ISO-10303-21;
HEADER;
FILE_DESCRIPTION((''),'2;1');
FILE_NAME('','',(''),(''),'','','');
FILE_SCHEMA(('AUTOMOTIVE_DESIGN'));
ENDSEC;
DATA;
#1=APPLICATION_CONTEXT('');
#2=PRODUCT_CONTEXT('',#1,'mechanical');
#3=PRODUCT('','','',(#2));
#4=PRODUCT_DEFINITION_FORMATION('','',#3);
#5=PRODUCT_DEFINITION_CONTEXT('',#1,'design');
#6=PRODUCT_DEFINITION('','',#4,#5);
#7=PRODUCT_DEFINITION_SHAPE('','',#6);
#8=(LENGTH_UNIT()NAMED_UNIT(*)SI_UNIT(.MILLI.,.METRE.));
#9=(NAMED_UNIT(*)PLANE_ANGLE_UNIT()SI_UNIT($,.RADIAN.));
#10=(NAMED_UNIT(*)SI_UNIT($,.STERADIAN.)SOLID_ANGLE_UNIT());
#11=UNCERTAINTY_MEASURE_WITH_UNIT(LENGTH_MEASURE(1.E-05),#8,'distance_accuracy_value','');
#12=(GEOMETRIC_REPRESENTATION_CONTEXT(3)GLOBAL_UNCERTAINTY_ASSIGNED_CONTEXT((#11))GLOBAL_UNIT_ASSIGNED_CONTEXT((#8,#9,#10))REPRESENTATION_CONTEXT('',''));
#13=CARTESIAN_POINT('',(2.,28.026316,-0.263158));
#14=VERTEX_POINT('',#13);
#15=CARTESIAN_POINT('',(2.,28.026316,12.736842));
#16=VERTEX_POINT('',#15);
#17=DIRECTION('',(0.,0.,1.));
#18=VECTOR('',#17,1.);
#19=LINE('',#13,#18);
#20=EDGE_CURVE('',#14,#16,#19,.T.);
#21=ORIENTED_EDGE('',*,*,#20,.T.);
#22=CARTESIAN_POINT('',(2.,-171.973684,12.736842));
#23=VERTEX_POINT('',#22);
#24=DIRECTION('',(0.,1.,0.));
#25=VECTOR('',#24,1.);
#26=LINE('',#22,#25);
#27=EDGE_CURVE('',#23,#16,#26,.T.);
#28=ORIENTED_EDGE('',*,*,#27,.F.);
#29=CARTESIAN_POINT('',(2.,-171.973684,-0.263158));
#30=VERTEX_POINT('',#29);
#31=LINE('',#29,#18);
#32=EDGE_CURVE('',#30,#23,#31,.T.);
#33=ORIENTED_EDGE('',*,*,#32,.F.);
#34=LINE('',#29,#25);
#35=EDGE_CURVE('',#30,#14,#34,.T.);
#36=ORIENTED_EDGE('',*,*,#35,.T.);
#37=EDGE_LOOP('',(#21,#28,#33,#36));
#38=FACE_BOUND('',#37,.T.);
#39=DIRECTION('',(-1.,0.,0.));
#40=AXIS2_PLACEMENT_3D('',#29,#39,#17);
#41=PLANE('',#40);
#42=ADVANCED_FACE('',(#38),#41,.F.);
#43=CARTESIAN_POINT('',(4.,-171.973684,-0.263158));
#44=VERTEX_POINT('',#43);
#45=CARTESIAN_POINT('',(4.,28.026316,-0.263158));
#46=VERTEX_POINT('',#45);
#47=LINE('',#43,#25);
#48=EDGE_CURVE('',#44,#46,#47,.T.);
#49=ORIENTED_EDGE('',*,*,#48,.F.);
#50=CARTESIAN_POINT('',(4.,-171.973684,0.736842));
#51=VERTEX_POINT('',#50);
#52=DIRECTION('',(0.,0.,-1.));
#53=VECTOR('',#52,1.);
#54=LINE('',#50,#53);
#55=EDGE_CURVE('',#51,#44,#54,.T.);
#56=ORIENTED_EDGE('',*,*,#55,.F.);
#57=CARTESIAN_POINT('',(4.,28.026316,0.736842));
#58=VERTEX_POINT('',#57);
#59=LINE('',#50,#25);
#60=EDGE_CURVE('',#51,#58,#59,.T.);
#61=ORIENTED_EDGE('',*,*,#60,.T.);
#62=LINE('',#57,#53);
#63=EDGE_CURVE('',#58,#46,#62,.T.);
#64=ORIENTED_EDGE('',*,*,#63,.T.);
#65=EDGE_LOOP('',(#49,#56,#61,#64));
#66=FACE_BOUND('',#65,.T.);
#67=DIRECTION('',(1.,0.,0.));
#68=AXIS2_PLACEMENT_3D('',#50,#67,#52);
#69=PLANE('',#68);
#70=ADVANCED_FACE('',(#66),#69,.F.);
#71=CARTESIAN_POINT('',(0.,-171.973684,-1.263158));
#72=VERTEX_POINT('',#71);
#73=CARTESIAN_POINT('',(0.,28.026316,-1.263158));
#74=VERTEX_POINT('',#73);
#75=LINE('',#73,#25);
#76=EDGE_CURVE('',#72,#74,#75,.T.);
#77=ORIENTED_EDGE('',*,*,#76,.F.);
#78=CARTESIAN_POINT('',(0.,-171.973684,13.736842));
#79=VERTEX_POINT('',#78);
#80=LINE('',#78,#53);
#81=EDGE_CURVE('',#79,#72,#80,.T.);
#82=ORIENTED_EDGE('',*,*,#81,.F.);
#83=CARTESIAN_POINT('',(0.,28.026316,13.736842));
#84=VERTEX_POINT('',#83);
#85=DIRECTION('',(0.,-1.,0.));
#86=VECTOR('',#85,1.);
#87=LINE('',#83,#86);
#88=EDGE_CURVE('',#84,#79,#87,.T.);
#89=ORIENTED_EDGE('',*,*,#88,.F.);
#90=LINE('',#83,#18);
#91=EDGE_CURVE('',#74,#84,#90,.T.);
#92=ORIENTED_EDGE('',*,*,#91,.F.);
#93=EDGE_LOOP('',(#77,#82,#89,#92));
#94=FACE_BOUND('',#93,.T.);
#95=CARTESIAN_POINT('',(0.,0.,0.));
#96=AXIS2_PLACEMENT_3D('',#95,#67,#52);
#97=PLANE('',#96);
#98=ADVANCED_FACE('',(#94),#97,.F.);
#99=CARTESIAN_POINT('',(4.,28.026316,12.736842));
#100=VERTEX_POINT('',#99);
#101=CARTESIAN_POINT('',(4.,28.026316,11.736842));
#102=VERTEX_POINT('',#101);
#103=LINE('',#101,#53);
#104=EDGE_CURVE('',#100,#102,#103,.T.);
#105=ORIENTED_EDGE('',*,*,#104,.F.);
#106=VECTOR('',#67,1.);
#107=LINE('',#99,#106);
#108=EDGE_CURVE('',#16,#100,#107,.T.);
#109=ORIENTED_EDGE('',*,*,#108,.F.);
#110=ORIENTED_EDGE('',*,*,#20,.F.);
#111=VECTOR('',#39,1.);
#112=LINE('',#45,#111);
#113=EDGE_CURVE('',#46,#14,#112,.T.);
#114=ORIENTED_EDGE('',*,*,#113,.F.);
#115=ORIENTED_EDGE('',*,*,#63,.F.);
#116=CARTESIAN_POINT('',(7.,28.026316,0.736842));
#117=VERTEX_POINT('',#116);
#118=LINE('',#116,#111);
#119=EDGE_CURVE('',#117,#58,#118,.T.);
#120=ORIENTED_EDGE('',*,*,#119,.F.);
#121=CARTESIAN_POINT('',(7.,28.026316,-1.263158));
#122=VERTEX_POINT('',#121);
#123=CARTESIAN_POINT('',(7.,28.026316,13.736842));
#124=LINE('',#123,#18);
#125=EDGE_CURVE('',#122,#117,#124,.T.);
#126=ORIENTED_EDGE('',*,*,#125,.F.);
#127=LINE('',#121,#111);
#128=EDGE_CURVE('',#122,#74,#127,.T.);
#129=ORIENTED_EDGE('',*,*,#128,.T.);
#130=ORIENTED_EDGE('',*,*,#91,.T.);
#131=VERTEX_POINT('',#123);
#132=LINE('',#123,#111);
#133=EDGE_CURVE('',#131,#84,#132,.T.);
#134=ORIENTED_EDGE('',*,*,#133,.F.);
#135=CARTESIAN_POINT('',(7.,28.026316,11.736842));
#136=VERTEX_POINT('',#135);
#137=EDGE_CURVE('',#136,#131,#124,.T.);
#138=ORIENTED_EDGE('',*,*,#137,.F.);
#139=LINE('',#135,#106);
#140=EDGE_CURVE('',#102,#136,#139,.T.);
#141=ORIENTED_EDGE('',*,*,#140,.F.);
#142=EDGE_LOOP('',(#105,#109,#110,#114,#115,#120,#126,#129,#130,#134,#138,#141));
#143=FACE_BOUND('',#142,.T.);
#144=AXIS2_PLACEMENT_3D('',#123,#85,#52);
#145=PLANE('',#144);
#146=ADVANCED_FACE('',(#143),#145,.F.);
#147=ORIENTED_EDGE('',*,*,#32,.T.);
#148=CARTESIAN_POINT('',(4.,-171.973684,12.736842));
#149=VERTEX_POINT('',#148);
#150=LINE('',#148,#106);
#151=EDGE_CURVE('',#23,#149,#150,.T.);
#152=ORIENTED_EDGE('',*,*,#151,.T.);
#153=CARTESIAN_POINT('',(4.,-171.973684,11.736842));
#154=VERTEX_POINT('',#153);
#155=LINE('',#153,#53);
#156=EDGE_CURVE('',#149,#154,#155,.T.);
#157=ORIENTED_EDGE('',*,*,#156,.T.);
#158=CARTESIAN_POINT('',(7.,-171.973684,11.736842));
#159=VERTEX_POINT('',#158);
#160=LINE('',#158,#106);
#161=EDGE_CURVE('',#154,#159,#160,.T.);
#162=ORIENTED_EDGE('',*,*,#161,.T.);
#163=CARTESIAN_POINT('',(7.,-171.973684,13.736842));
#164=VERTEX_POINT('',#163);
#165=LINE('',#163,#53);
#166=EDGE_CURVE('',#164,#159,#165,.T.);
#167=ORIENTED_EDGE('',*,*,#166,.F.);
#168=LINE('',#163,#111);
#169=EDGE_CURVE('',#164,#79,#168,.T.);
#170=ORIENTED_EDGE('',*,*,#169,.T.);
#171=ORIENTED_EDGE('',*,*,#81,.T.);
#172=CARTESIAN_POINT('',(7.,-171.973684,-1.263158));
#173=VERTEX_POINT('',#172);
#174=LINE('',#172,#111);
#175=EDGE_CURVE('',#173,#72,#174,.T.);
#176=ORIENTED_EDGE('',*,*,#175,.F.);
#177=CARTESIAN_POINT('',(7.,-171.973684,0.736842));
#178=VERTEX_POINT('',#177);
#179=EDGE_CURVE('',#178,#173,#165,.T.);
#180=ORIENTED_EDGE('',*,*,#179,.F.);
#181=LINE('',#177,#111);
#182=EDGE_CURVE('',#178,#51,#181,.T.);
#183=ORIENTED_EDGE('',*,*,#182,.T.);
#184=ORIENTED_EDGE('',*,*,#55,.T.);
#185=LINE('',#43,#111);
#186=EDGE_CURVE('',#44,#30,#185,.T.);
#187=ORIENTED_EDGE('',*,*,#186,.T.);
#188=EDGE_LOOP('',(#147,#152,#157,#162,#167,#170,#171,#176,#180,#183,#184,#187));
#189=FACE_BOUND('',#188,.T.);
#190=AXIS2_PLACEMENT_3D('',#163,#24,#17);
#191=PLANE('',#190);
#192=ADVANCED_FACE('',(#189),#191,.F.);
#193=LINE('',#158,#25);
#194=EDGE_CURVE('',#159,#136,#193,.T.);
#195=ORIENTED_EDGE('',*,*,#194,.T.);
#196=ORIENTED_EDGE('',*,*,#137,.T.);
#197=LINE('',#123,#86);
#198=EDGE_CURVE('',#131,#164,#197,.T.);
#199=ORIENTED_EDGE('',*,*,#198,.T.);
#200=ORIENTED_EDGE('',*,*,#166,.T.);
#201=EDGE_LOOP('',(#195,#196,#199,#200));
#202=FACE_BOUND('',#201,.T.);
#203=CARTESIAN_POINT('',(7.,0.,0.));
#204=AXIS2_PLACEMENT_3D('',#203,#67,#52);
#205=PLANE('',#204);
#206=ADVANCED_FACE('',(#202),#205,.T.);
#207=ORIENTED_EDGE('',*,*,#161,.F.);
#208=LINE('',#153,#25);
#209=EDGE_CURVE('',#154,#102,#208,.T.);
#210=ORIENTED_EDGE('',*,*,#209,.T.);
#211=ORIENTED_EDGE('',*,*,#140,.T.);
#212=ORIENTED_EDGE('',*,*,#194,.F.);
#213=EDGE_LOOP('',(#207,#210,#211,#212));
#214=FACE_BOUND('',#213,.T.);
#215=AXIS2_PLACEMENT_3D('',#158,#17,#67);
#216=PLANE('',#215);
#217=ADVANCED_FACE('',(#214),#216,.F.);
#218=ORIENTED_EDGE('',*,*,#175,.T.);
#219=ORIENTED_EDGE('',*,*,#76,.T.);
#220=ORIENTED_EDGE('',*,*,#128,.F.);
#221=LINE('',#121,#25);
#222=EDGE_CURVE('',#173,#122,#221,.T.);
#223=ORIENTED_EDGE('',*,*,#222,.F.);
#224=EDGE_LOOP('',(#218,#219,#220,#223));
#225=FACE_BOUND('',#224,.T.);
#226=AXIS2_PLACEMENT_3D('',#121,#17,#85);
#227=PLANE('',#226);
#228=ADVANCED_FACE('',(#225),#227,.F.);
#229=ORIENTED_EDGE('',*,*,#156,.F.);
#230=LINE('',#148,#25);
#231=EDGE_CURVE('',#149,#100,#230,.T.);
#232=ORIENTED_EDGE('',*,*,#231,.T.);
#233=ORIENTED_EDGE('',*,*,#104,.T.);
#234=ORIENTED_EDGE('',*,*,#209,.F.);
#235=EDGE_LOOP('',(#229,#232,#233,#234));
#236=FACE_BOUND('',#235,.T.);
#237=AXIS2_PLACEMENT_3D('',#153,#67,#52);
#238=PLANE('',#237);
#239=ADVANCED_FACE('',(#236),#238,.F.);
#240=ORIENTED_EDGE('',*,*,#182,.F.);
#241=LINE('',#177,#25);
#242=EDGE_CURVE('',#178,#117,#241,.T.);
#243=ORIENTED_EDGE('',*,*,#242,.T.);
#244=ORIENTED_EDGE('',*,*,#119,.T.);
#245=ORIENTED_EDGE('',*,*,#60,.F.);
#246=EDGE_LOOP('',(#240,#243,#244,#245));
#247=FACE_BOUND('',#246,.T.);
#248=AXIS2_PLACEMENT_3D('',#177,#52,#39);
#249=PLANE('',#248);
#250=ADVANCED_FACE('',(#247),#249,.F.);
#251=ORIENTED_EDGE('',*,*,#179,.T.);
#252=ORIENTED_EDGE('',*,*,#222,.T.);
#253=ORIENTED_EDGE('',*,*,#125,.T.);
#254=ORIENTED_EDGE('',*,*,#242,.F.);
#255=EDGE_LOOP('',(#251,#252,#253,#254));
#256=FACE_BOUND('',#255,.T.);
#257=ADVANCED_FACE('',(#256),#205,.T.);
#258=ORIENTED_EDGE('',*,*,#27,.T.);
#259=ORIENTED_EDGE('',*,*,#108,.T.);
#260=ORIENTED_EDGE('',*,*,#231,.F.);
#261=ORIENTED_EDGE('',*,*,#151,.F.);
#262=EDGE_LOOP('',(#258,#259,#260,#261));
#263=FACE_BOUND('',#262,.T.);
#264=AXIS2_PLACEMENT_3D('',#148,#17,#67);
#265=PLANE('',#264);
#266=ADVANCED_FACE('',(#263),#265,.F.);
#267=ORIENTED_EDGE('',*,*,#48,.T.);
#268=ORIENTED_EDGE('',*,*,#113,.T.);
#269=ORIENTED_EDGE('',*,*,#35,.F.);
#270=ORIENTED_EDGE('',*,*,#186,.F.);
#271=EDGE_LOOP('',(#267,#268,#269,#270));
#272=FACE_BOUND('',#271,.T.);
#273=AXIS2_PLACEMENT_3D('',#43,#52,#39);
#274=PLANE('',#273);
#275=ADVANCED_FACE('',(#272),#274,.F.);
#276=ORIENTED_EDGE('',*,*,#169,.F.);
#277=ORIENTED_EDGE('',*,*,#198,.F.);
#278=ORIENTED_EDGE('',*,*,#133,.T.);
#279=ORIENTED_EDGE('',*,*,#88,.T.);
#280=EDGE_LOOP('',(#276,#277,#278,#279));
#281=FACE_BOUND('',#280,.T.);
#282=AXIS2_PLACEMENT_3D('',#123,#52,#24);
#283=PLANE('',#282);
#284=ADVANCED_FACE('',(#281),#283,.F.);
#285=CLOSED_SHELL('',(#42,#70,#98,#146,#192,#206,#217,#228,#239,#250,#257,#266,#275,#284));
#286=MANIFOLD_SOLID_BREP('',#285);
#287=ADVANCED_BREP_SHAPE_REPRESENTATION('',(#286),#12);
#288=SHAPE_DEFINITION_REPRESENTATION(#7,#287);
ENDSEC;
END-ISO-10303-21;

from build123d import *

# Parameters (mm, degrees)
CROQUIS1_W              = 15
CROQUIS1_H              = 200
SALIENTE_EXTRUIR1_DEPTH = 7
CORTAR_EXTRUIR1_DEPTH   = 201.593371852


with BuildPart() as part:
    # Croquis1 → Saliente-Extruir1 (new body)
    with BuildSketch(Plane(origin=(0, 0, 0), x_dir=(0, 0, -1), z_dir=(1, 0, 0))):
        with Locations((-6.236842105, -71.973684211)):
            Rectangle(CROQUIS1_W, CROQUIS1_H)
    extrude(amount=SALIENTE_EXTRUIR1_DEPTH)

    # Croquis2 → Cortar-Extruir1 (cut, through all)
    with BuildSketch(Plane(origin=(0, 28.026315789, 0), x_dir=(1, 0, 0), z_dir=(0, 1, 0))):
        Polygon((7, -0.736842105), (4, -0.736842105), (4, 0.263157895), (2, 0.263157895), (2, -12.736842105), (4, -12.736842105), (4, -11.736842105), (7, -11.736842105), align=None)
    extrude(amount=-CORTAR_EXTRUIR1_DEPTH, mode=Mode.SUBTRACT)


solid = part.part
